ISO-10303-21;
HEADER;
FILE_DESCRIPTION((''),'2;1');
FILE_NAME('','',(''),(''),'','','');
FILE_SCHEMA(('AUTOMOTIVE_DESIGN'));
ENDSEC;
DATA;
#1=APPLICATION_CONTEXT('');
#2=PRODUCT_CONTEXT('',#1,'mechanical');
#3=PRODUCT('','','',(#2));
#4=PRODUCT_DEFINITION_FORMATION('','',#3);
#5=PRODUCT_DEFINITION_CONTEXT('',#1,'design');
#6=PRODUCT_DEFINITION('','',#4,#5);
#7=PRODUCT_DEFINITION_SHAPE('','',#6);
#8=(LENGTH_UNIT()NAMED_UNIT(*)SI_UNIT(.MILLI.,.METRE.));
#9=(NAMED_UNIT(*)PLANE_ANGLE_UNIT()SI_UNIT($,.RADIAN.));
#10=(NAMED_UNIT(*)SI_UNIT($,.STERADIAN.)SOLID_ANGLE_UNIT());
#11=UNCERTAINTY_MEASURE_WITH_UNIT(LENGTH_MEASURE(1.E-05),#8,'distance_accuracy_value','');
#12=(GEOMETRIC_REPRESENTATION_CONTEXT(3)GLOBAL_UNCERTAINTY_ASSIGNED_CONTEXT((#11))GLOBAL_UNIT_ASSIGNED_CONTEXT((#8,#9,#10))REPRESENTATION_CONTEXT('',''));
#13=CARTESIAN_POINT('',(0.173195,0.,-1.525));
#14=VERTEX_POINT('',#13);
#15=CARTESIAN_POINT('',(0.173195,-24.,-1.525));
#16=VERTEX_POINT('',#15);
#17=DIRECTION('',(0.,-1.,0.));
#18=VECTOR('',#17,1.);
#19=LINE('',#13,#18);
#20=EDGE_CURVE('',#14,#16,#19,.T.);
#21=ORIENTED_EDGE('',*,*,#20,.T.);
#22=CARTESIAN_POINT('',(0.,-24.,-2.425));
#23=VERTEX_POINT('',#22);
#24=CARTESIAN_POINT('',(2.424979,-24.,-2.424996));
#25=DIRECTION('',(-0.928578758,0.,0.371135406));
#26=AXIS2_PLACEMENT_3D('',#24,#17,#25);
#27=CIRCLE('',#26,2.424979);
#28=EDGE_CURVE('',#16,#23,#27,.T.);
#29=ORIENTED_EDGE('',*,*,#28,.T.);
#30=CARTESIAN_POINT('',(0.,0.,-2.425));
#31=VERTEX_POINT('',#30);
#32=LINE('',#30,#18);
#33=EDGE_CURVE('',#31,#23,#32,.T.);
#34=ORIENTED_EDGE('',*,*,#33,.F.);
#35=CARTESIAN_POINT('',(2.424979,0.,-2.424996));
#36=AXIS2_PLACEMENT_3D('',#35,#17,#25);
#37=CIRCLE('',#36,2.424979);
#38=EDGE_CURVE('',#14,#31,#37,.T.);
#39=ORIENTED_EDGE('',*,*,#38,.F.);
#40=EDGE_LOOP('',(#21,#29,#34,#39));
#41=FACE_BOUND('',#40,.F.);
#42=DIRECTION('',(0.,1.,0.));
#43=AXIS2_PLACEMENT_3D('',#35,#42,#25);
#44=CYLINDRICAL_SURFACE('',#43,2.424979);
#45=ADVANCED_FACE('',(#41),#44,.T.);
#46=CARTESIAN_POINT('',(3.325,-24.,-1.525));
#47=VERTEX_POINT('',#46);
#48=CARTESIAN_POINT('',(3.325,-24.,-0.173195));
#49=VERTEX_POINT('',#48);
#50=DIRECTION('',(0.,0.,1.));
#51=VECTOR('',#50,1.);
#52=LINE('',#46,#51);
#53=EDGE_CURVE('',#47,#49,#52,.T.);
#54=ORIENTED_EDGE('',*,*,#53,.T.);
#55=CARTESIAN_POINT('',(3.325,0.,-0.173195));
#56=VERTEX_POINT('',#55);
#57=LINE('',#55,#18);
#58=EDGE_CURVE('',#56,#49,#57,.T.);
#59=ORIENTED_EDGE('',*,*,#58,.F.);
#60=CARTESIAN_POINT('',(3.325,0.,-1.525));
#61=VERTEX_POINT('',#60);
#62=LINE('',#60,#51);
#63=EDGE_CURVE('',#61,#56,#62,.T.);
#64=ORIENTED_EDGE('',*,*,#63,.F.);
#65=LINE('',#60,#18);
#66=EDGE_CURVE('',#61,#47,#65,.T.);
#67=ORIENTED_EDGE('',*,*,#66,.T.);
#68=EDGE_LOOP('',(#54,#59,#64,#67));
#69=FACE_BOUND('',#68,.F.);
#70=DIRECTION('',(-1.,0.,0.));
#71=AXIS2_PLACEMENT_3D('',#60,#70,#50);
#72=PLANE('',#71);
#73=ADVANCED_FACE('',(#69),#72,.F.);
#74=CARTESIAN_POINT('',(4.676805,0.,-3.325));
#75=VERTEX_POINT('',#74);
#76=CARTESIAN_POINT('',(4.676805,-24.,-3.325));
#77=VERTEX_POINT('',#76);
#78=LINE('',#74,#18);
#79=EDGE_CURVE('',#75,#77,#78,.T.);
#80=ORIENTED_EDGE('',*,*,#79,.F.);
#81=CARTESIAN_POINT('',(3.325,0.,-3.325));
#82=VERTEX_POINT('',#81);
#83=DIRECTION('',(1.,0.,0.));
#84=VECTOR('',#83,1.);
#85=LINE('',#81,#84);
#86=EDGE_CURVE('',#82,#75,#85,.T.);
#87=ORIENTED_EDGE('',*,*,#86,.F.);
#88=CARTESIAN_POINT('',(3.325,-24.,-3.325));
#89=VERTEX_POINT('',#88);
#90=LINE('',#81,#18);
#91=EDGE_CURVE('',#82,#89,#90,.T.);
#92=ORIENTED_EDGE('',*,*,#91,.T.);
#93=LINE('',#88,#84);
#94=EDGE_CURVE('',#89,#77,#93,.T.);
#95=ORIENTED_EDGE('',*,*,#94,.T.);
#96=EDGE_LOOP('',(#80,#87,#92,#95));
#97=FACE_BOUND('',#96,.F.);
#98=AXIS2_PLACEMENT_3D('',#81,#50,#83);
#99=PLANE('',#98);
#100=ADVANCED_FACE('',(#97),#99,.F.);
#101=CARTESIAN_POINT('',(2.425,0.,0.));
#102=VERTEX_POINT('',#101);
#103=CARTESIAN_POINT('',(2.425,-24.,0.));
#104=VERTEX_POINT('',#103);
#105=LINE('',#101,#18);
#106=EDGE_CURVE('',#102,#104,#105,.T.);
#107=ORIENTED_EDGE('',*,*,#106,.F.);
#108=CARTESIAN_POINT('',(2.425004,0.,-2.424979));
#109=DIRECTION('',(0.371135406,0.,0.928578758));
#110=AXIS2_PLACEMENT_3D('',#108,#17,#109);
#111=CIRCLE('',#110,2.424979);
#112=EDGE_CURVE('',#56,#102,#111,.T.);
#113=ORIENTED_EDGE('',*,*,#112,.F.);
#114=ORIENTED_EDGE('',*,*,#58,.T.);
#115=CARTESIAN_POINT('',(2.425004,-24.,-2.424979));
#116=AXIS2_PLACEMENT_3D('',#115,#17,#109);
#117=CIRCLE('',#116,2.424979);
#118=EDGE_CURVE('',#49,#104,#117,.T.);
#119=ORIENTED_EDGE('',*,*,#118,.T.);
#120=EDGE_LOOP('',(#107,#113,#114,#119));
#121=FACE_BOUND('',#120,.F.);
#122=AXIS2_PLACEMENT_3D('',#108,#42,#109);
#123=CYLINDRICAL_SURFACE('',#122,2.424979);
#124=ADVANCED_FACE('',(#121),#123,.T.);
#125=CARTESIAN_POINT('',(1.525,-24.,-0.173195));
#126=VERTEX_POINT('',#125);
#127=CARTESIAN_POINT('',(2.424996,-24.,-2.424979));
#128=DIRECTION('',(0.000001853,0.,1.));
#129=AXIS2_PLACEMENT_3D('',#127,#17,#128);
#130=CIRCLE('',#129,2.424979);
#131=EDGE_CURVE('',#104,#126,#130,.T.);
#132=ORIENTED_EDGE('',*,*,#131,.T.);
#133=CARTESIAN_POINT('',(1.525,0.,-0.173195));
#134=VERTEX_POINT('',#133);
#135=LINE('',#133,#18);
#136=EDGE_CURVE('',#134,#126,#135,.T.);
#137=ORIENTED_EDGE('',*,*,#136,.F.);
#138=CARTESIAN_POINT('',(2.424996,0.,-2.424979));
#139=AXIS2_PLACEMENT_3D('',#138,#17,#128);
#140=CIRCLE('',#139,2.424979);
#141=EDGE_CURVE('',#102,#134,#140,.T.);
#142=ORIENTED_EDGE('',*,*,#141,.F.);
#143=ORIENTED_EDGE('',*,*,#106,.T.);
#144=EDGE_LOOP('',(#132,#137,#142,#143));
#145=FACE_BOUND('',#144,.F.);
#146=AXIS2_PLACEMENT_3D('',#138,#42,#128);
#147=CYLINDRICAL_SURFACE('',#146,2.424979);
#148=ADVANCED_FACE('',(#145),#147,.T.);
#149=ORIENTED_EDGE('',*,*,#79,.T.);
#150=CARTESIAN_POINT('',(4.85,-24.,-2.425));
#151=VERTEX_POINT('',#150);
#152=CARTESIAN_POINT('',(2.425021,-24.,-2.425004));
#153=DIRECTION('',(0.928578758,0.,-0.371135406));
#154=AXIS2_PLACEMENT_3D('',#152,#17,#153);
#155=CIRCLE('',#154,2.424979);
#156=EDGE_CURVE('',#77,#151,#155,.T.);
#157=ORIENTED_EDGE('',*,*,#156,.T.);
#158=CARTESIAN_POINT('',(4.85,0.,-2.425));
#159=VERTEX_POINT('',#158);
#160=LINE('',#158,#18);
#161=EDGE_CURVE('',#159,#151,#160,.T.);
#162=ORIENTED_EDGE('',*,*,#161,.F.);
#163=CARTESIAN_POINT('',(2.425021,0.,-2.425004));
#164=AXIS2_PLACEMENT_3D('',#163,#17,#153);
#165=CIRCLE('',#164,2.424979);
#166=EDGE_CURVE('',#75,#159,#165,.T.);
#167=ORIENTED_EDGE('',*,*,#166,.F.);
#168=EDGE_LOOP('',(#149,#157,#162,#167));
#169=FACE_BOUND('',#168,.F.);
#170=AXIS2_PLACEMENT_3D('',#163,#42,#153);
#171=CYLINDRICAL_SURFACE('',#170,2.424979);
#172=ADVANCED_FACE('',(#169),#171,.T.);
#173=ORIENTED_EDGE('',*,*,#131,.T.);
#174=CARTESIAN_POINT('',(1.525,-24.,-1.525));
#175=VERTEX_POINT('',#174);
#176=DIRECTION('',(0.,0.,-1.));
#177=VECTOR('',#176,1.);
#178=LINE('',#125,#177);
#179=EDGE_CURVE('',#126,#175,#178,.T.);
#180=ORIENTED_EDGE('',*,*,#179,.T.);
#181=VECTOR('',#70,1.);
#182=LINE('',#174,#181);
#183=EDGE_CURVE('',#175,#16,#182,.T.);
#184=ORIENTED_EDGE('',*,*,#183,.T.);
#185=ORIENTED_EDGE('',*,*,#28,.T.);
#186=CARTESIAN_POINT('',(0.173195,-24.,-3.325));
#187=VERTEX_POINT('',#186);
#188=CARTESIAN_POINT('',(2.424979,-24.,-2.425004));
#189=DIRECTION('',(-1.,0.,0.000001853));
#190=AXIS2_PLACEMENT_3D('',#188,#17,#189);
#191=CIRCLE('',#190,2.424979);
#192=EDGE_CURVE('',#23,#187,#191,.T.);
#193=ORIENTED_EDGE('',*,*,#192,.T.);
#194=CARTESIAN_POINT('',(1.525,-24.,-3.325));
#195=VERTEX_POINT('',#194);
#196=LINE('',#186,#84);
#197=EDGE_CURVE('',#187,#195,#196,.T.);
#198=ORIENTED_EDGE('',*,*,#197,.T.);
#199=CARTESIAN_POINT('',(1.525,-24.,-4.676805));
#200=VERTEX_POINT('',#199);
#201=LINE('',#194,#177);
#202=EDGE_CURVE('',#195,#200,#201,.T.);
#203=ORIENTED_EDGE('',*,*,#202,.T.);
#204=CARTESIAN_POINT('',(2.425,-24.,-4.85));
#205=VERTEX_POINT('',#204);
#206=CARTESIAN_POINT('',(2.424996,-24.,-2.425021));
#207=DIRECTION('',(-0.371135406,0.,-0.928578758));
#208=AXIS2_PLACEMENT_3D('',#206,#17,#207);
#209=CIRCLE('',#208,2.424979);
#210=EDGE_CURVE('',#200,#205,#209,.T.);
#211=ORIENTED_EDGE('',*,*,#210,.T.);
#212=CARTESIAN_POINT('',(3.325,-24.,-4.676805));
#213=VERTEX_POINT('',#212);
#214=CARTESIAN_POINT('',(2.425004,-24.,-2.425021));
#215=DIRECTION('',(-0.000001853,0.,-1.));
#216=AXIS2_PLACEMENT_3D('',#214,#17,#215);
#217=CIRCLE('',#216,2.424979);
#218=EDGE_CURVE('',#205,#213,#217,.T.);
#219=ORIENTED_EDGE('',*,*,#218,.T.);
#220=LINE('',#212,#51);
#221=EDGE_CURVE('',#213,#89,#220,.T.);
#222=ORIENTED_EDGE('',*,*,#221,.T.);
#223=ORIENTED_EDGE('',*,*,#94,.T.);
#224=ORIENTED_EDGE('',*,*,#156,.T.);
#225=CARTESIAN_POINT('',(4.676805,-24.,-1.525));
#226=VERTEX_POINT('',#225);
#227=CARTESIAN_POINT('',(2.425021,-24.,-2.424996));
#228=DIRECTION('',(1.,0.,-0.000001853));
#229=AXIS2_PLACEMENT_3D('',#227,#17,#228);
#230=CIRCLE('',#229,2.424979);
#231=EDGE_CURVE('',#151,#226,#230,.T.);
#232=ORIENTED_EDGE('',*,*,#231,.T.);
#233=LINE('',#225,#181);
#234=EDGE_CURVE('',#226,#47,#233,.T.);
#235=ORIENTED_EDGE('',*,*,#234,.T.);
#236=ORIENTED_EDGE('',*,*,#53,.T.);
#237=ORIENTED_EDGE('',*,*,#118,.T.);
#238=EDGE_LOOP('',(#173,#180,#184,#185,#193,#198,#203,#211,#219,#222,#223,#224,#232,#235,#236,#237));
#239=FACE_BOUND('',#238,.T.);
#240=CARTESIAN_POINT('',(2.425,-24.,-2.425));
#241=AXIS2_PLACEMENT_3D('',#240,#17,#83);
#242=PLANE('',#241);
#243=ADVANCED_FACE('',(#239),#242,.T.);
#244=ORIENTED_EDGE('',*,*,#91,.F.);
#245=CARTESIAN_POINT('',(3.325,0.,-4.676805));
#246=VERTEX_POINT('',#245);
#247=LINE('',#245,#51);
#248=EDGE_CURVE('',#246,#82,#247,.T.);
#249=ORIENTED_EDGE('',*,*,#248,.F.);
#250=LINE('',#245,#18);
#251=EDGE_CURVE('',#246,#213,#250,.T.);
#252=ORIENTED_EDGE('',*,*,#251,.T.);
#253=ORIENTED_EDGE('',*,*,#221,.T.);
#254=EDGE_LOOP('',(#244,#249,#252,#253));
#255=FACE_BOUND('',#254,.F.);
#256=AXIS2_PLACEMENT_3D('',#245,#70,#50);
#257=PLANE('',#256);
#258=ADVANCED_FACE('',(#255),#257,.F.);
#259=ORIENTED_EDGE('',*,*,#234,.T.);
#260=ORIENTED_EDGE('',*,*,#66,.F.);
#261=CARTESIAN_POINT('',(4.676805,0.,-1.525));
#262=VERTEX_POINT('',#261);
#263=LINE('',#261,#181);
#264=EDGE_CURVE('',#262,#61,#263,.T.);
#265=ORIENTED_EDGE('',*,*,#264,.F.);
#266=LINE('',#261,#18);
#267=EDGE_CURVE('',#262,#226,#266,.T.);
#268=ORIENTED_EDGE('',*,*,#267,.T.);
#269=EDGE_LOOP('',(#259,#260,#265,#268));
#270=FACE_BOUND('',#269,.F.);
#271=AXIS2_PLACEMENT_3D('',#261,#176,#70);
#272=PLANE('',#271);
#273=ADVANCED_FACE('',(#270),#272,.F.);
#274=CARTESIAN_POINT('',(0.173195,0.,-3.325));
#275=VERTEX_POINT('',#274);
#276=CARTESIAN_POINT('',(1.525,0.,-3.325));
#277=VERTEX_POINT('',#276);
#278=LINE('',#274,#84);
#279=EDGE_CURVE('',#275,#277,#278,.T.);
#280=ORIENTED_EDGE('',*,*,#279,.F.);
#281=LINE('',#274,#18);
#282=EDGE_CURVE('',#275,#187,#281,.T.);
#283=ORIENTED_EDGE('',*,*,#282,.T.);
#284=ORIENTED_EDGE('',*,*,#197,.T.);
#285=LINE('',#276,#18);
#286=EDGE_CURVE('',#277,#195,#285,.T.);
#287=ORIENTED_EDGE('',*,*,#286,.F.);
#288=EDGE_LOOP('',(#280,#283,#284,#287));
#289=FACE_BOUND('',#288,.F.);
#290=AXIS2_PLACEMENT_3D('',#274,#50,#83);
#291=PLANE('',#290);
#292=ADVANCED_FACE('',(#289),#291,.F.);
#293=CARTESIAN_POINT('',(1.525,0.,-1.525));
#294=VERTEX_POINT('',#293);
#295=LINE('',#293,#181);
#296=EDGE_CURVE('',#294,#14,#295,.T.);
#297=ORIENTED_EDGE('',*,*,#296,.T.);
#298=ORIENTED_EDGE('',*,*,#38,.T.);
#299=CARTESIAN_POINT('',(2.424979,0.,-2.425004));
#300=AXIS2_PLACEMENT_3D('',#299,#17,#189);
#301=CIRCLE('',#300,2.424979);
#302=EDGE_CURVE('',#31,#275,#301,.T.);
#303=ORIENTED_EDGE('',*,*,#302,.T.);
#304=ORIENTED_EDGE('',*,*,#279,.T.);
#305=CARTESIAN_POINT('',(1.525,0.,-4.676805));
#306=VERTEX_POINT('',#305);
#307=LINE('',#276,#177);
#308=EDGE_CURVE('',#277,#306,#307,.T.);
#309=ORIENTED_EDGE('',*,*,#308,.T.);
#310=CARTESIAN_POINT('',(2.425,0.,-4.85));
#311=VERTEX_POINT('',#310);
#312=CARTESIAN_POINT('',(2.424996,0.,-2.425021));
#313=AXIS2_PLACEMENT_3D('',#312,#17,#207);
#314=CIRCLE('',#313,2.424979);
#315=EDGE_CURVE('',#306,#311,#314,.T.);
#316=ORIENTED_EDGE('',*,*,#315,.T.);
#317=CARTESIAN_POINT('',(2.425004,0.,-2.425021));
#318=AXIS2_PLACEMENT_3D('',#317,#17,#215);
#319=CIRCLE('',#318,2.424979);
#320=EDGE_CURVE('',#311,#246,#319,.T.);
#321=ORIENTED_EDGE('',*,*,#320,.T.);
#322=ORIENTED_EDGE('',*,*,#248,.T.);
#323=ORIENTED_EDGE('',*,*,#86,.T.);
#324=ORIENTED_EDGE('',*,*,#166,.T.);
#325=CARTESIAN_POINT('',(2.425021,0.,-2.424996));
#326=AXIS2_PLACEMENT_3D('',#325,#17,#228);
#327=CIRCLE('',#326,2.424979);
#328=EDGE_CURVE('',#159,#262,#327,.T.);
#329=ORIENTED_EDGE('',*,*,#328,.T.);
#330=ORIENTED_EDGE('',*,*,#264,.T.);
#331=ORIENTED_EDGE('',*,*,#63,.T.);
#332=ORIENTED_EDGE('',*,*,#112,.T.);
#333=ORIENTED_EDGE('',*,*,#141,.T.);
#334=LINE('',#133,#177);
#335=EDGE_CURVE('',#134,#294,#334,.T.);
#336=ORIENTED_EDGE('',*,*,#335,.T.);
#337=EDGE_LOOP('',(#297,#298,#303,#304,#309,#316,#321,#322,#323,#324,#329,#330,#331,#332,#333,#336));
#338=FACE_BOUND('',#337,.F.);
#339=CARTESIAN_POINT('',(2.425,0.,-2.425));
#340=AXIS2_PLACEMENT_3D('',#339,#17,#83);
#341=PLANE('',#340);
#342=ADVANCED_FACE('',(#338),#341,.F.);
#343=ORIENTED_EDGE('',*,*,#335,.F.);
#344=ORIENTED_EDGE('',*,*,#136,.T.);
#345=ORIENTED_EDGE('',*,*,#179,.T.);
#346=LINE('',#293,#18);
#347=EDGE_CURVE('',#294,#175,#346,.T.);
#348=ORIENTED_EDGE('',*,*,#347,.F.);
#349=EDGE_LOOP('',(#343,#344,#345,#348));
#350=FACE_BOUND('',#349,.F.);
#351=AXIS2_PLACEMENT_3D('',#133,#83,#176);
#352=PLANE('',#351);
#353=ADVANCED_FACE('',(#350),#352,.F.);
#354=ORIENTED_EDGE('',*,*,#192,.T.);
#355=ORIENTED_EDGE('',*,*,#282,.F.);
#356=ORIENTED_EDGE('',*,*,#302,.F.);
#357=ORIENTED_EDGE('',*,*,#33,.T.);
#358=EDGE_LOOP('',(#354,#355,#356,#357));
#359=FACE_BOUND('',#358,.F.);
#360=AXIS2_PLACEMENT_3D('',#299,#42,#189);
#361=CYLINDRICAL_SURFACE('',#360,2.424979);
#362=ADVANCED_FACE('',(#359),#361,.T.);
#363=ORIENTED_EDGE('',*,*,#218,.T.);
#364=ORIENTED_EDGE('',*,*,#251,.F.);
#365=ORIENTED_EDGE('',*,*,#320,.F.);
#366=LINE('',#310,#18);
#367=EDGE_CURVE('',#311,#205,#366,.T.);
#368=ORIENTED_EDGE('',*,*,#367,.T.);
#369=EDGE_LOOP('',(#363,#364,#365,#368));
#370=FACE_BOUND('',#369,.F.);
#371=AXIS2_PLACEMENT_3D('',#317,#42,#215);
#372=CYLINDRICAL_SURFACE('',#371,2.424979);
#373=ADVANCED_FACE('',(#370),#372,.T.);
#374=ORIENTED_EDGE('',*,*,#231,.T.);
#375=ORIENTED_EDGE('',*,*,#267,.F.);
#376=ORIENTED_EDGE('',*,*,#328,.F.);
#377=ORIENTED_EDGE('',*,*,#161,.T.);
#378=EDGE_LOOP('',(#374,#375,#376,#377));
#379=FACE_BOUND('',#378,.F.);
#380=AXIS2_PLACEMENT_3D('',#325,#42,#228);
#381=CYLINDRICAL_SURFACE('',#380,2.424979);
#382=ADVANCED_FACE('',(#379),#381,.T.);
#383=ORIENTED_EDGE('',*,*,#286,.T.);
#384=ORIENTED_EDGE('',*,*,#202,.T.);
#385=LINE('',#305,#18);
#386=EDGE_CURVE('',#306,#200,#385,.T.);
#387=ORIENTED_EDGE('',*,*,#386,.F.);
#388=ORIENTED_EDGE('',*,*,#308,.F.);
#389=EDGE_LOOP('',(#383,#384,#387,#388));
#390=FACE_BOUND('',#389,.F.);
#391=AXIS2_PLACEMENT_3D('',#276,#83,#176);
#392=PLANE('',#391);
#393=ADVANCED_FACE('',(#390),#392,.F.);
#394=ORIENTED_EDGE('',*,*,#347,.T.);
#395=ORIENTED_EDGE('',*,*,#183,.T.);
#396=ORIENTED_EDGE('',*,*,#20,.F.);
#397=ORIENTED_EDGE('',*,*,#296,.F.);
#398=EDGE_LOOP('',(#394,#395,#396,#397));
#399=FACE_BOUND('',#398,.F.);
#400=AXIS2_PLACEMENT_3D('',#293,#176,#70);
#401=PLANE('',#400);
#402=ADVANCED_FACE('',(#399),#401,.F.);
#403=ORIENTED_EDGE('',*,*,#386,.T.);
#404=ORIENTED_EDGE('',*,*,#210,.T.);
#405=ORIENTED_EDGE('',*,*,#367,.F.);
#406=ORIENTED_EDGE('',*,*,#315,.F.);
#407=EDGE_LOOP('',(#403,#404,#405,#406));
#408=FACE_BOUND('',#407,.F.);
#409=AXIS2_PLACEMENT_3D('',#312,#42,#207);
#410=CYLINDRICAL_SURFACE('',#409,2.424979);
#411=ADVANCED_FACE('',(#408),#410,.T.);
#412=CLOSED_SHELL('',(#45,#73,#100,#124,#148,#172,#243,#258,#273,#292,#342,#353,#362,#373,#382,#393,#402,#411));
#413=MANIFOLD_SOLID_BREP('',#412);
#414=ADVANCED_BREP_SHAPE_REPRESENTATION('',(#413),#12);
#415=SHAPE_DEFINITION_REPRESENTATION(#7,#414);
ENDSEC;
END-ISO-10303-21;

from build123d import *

# Parameters (mm, degrees)
F1_DEPTH = 24


with BuildPart() as f1:
    # F0 (on Front) → F1 (new body)
    with BuildSketch(Plane.XZ):
        with BuildLine():
            ThreePointArc((3.325, -0.173195), (2.883257, -0.043692), (2.425, 0))
            ThreePointArc((2.425, 0), (1.966743, -0.043692), (1.525, -0.173195))
            Line((1.525, -0.173195), (1.525, -1.525))
            Line((1.525, -1.525), (0.173195, -1.525))
            ThreePointArc((0.173195, -1.525), (0.043692, -1.966743), (0, -2.425))
            ThreePointArc((0, -2.425), (0.043692, -2.883257), (0.173195, -3.325))
            Line((0.173195, -3.325), (1.525, -3.325))
            Line((1.525, -3.325), (1.525, -4.676805))
            ThreePointArc((1.525, -4.676805), (1.966743, -4.806308), (2.425, -4.85))
            ThreePointArc((2.425, -4.85), (2.883257, -4.806308), (3.325, -4.676805))
            Line((3.325, -4.676805), (3.325, -3.325))
            Line((3.325, -3.325), (4.676805, -3.325))
            ThreePointArc((4.676805, -3.325), (4.806308, -2.883257), (4.85, -2.425))
            ThreePointArc((4.85, -2.425), (4.806308, -1.966743), (4.676805, -1.525))
            Line((4.676805, -1.525), (3.325, -1.525))
            Line((3.325, -1.525), (3.325, -0.173195))
        make_face()
    extrude(amount=F1_DEPTH)


solid = f1.part
